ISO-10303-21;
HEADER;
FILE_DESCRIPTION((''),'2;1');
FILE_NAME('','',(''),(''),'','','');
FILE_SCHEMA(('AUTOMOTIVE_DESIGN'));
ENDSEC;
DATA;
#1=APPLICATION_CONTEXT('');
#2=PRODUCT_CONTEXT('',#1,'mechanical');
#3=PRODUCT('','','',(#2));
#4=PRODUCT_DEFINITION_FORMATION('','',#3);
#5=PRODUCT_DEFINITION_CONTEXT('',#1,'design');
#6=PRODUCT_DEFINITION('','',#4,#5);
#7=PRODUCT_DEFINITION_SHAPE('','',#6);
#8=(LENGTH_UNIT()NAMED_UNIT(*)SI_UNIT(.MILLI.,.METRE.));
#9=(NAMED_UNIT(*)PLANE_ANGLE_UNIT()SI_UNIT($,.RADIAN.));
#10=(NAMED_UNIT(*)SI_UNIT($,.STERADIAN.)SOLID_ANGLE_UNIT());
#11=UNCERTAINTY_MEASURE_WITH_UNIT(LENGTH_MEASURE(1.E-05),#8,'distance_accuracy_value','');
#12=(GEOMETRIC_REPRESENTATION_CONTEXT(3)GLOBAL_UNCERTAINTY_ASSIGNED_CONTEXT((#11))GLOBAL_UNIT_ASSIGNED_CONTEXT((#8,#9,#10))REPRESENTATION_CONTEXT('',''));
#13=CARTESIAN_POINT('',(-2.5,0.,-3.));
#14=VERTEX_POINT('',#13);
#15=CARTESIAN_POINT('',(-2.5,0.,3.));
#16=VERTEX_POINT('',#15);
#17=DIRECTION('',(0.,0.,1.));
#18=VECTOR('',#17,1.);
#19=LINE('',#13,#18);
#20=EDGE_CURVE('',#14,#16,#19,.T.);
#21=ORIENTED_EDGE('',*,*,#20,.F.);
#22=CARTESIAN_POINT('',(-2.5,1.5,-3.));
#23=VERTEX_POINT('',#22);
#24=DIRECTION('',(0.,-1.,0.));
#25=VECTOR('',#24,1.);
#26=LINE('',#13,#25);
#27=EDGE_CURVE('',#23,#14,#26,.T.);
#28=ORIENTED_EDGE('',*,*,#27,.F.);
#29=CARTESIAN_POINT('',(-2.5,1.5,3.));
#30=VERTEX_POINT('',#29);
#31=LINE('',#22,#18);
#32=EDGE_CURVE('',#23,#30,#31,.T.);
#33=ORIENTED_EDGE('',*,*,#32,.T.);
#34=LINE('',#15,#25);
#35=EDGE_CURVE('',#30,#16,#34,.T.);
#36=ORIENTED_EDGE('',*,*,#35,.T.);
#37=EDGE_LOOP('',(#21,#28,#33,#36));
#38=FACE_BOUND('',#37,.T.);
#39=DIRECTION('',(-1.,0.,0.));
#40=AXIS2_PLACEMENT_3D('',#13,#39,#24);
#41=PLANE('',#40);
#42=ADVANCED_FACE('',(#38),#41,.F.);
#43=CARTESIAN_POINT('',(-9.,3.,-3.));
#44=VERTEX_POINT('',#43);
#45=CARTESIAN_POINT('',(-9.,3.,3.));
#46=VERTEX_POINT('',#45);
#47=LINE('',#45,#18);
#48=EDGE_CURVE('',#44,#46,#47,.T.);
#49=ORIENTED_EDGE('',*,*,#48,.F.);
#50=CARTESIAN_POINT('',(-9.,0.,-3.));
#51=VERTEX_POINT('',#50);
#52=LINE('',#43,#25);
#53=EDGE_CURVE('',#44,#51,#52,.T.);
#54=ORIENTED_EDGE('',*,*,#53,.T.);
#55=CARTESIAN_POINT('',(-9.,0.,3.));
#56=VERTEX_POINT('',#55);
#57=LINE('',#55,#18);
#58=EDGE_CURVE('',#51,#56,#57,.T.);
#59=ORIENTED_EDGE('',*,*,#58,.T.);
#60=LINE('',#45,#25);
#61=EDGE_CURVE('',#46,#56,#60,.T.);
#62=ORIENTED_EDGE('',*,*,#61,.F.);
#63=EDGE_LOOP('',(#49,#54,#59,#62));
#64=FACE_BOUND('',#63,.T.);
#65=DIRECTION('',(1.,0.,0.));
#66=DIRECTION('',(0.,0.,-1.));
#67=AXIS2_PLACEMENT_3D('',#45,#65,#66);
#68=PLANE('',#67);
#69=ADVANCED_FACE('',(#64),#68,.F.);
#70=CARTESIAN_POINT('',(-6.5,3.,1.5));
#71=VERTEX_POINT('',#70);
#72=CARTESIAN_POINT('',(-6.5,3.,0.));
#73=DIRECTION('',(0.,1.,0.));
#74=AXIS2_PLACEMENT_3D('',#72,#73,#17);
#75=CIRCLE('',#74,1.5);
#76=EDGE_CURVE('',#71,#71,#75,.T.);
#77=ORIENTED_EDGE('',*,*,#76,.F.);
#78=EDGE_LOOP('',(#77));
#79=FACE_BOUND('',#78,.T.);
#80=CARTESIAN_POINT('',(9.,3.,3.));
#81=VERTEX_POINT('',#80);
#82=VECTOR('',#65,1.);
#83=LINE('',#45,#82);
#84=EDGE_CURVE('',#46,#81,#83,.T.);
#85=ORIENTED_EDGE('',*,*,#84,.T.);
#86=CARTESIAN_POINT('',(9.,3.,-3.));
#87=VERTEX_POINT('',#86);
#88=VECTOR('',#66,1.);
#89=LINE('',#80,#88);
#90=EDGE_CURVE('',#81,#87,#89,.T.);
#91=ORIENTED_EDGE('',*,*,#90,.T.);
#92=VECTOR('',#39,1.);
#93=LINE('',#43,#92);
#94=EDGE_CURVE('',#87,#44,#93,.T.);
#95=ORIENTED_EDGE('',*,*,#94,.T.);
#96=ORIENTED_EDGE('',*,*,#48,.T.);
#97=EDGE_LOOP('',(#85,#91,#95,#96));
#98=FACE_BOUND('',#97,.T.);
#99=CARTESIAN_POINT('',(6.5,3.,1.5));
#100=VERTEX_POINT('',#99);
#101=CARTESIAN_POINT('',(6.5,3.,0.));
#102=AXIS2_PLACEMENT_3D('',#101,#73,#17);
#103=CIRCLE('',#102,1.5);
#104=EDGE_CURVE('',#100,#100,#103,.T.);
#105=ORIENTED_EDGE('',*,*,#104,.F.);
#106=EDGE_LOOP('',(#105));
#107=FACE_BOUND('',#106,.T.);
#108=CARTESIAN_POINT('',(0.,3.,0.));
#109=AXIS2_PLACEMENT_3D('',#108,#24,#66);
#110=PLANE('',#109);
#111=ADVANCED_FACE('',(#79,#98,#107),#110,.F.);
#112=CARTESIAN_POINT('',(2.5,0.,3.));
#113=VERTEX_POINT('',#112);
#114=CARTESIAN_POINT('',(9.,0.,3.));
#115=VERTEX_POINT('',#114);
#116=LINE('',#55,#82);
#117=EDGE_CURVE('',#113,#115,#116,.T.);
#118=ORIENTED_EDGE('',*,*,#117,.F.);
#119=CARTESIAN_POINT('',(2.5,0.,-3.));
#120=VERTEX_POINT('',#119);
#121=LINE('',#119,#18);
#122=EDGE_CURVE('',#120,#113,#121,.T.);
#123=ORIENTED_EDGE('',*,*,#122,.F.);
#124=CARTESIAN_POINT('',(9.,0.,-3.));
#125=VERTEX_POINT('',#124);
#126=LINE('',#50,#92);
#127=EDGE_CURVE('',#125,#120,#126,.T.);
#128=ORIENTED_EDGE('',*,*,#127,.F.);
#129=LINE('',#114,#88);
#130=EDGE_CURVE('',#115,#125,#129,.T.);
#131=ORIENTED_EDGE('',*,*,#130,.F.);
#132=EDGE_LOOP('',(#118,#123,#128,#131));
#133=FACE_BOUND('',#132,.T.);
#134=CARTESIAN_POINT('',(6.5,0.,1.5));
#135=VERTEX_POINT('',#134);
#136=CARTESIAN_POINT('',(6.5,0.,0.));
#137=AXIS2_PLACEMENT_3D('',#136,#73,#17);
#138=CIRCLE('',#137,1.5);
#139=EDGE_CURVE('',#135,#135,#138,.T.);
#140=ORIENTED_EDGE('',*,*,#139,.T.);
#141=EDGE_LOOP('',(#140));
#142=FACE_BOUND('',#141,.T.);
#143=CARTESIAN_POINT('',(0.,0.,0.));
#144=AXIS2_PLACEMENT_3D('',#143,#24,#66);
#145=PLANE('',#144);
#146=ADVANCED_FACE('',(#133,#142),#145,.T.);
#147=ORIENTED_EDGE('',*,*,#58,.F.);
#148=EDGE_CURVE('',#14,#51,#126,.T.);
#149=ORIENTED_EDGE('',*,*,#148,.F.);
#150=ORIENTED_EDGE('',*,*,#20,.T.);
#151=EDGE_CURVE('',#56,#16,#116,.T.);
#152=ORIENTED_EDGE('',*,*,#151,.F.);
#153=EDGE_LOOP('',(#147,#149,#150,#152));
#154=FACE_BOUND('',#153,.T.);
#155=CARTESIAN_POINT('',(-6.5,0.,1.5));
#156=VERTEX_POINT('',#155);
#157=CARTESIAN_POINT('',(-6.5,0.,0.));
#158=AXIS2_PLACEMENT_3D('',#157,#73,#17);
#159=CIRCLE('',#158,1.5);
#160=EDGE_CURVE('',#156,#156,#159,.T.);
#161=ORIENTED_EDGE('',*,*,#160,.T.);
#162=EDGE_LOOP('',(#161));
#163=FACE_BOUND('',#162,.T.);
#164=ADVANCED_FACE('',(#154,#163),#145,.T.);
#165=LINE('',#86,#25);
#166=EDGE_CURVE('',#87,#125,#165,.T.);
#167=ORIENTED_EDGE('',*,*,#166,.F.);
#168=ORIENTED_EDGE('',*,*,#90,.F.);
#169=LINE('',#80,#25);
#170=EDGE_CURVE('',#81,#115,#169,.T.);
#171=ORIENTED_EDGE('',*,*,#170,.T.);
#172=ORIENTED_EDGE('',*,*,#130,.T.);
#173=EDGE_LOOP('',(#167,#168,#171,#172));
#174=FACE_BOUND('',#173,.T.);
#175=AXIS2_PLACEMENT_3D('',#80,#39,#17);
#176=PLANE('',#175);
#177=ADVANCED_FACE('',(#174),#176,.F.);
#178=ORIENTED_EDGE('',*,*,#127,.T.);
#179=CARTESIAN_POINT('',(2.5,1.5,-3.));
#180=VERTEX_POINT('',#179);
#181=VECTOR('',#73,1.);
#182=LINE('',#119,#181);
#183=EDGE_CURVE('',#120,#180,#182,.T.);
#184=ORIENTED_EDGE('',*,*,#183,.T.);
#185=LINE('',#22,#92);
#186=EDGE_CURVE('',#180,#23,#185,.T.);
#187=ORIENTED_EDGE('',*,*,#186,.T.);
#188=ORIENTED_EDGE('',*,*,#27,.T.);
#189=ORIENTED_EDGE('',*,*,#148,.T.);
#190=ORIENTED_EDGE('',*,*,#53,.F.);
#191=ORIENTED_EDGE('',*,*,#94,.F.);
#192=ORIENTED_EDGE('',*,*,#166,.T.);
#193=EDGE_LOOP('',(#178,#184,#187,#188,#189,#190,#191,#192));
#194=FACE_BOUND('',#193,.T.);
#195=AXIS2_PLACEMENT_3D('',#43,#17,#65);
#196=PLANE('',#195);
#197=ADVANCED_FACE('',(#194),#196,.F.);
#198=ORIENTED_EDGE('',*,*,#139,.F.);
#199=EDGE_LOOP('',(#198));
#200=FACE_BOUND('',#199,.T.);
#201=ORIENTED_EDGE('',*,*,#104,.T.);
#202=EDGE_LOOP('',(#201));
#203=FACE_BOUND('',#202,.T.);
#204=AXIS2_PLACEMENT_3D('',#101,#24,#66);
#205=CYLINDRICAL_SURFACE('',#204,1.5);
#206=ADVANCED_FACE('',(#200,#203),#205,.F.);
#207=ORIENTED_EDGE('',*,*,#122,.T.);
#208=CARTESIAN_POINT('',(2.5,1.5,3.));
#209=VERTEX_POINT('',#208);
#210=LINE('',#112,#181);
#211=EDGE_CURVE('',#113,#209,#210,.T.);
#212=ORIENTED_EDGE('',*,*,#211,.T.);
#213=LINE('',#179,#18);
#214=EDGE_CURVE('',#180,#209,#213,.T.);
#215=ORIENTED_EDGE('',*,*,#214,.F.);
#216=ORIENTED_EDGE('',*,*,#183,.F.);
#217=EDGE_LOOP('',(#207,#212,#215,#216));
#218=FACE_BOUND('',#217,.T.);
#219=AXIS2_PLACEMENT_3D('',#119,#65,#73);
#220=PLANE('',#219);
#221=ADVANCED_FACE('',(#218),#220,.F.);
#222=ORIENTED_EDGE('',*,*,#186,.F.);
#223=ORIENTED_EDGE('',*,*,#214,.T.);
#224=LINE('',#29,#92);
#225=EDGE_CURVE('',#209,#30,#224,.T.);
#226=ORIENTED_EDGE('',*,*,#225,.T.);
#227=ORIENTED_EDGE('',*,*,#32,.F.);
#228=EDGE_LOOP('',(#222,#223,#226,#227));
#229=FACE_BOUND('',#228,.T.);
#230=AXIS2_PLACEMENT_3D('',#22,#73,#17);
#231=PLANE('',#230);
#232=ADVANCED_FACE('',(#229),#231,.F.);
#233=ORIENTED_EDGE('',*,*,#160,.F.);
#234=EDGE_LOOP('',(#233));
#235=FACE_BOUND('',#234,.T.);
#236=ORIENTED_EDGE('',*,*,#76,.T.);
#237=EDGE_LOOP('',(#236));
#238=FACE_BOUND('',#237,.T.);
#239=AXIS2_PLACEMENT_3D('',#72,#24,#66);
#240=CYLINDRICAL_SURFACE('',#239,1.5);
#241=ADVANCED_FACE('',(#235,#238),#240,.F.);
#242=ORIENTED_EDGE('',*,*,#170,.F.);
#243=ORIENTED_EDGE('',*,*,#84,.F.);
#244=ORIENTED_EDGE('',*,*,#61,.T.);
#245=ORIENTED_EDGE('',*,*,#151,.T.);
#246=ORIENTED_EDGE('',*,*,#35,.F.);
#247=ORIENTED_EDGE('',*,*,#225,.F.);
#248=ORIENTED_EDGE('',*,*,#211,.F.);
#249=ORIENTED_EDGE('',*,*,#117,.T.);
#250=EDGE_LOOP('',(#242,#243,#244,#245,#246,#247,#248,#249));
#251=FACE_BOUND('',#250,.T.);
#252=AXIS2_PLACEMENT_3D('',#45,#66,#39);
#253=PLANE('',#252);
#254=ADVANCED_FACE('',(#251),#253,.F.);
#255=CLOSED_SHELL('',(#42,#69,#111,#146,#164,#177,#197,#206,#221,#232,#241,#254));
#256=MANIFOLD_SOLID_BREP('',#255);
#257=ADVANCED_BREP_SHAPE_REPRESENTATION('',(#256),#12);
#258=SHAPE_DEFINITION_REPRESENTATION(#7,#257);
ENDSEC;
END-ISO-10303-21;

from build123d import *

# Parameters (mm, degrees)
SKETCH1_W           = 18
SKETCH1_H           = 6
SKETCH1_R           = 1.5
BOSS_EXTRUDE1_DEPTH = 3
SKETCH2_W           = 5
SKETCH2_H           = 1.5
CUT_EXTRUDE1_DEPTH  = 12.22497216


with BuildPart() as part:
    # Sketch1 → Boss-Extrude1 (new body)
    with BuildSketch(Plane(origin=(0, 0, 0), x_dir=(1, 0, 0), z_dir=(0, 1, 0))):
        Rectangle(SKETCH1_W, SKETCH1_H)
        with Locations(Location((-6.5, 0, 0), (0, 0, 270))):
            Circle(SKETCH1_R, mode=Mode.SUBTRACT)
        with Locations(Location((6.5, 0, 0), (0, 0, 270))):
            Circle(SKETCH1_R, mode=Mode.SUBTRACT)
    extrude(amount=BOSS_EXTRUDE1_DEPTH)

    # Sketch2 → Cut-Extrude1 (cut, through all)
    with BuildSketch(Plane.XY.offset(3)):
        with Locations((0, 0.75)):
            Rectangle(SKETCH2_W, SKETCH2_H)
    extrude(amount=-CUT_EXTRUDE1_DEPTH, mode=Mode.SUBTRACT)


solid = part.part
